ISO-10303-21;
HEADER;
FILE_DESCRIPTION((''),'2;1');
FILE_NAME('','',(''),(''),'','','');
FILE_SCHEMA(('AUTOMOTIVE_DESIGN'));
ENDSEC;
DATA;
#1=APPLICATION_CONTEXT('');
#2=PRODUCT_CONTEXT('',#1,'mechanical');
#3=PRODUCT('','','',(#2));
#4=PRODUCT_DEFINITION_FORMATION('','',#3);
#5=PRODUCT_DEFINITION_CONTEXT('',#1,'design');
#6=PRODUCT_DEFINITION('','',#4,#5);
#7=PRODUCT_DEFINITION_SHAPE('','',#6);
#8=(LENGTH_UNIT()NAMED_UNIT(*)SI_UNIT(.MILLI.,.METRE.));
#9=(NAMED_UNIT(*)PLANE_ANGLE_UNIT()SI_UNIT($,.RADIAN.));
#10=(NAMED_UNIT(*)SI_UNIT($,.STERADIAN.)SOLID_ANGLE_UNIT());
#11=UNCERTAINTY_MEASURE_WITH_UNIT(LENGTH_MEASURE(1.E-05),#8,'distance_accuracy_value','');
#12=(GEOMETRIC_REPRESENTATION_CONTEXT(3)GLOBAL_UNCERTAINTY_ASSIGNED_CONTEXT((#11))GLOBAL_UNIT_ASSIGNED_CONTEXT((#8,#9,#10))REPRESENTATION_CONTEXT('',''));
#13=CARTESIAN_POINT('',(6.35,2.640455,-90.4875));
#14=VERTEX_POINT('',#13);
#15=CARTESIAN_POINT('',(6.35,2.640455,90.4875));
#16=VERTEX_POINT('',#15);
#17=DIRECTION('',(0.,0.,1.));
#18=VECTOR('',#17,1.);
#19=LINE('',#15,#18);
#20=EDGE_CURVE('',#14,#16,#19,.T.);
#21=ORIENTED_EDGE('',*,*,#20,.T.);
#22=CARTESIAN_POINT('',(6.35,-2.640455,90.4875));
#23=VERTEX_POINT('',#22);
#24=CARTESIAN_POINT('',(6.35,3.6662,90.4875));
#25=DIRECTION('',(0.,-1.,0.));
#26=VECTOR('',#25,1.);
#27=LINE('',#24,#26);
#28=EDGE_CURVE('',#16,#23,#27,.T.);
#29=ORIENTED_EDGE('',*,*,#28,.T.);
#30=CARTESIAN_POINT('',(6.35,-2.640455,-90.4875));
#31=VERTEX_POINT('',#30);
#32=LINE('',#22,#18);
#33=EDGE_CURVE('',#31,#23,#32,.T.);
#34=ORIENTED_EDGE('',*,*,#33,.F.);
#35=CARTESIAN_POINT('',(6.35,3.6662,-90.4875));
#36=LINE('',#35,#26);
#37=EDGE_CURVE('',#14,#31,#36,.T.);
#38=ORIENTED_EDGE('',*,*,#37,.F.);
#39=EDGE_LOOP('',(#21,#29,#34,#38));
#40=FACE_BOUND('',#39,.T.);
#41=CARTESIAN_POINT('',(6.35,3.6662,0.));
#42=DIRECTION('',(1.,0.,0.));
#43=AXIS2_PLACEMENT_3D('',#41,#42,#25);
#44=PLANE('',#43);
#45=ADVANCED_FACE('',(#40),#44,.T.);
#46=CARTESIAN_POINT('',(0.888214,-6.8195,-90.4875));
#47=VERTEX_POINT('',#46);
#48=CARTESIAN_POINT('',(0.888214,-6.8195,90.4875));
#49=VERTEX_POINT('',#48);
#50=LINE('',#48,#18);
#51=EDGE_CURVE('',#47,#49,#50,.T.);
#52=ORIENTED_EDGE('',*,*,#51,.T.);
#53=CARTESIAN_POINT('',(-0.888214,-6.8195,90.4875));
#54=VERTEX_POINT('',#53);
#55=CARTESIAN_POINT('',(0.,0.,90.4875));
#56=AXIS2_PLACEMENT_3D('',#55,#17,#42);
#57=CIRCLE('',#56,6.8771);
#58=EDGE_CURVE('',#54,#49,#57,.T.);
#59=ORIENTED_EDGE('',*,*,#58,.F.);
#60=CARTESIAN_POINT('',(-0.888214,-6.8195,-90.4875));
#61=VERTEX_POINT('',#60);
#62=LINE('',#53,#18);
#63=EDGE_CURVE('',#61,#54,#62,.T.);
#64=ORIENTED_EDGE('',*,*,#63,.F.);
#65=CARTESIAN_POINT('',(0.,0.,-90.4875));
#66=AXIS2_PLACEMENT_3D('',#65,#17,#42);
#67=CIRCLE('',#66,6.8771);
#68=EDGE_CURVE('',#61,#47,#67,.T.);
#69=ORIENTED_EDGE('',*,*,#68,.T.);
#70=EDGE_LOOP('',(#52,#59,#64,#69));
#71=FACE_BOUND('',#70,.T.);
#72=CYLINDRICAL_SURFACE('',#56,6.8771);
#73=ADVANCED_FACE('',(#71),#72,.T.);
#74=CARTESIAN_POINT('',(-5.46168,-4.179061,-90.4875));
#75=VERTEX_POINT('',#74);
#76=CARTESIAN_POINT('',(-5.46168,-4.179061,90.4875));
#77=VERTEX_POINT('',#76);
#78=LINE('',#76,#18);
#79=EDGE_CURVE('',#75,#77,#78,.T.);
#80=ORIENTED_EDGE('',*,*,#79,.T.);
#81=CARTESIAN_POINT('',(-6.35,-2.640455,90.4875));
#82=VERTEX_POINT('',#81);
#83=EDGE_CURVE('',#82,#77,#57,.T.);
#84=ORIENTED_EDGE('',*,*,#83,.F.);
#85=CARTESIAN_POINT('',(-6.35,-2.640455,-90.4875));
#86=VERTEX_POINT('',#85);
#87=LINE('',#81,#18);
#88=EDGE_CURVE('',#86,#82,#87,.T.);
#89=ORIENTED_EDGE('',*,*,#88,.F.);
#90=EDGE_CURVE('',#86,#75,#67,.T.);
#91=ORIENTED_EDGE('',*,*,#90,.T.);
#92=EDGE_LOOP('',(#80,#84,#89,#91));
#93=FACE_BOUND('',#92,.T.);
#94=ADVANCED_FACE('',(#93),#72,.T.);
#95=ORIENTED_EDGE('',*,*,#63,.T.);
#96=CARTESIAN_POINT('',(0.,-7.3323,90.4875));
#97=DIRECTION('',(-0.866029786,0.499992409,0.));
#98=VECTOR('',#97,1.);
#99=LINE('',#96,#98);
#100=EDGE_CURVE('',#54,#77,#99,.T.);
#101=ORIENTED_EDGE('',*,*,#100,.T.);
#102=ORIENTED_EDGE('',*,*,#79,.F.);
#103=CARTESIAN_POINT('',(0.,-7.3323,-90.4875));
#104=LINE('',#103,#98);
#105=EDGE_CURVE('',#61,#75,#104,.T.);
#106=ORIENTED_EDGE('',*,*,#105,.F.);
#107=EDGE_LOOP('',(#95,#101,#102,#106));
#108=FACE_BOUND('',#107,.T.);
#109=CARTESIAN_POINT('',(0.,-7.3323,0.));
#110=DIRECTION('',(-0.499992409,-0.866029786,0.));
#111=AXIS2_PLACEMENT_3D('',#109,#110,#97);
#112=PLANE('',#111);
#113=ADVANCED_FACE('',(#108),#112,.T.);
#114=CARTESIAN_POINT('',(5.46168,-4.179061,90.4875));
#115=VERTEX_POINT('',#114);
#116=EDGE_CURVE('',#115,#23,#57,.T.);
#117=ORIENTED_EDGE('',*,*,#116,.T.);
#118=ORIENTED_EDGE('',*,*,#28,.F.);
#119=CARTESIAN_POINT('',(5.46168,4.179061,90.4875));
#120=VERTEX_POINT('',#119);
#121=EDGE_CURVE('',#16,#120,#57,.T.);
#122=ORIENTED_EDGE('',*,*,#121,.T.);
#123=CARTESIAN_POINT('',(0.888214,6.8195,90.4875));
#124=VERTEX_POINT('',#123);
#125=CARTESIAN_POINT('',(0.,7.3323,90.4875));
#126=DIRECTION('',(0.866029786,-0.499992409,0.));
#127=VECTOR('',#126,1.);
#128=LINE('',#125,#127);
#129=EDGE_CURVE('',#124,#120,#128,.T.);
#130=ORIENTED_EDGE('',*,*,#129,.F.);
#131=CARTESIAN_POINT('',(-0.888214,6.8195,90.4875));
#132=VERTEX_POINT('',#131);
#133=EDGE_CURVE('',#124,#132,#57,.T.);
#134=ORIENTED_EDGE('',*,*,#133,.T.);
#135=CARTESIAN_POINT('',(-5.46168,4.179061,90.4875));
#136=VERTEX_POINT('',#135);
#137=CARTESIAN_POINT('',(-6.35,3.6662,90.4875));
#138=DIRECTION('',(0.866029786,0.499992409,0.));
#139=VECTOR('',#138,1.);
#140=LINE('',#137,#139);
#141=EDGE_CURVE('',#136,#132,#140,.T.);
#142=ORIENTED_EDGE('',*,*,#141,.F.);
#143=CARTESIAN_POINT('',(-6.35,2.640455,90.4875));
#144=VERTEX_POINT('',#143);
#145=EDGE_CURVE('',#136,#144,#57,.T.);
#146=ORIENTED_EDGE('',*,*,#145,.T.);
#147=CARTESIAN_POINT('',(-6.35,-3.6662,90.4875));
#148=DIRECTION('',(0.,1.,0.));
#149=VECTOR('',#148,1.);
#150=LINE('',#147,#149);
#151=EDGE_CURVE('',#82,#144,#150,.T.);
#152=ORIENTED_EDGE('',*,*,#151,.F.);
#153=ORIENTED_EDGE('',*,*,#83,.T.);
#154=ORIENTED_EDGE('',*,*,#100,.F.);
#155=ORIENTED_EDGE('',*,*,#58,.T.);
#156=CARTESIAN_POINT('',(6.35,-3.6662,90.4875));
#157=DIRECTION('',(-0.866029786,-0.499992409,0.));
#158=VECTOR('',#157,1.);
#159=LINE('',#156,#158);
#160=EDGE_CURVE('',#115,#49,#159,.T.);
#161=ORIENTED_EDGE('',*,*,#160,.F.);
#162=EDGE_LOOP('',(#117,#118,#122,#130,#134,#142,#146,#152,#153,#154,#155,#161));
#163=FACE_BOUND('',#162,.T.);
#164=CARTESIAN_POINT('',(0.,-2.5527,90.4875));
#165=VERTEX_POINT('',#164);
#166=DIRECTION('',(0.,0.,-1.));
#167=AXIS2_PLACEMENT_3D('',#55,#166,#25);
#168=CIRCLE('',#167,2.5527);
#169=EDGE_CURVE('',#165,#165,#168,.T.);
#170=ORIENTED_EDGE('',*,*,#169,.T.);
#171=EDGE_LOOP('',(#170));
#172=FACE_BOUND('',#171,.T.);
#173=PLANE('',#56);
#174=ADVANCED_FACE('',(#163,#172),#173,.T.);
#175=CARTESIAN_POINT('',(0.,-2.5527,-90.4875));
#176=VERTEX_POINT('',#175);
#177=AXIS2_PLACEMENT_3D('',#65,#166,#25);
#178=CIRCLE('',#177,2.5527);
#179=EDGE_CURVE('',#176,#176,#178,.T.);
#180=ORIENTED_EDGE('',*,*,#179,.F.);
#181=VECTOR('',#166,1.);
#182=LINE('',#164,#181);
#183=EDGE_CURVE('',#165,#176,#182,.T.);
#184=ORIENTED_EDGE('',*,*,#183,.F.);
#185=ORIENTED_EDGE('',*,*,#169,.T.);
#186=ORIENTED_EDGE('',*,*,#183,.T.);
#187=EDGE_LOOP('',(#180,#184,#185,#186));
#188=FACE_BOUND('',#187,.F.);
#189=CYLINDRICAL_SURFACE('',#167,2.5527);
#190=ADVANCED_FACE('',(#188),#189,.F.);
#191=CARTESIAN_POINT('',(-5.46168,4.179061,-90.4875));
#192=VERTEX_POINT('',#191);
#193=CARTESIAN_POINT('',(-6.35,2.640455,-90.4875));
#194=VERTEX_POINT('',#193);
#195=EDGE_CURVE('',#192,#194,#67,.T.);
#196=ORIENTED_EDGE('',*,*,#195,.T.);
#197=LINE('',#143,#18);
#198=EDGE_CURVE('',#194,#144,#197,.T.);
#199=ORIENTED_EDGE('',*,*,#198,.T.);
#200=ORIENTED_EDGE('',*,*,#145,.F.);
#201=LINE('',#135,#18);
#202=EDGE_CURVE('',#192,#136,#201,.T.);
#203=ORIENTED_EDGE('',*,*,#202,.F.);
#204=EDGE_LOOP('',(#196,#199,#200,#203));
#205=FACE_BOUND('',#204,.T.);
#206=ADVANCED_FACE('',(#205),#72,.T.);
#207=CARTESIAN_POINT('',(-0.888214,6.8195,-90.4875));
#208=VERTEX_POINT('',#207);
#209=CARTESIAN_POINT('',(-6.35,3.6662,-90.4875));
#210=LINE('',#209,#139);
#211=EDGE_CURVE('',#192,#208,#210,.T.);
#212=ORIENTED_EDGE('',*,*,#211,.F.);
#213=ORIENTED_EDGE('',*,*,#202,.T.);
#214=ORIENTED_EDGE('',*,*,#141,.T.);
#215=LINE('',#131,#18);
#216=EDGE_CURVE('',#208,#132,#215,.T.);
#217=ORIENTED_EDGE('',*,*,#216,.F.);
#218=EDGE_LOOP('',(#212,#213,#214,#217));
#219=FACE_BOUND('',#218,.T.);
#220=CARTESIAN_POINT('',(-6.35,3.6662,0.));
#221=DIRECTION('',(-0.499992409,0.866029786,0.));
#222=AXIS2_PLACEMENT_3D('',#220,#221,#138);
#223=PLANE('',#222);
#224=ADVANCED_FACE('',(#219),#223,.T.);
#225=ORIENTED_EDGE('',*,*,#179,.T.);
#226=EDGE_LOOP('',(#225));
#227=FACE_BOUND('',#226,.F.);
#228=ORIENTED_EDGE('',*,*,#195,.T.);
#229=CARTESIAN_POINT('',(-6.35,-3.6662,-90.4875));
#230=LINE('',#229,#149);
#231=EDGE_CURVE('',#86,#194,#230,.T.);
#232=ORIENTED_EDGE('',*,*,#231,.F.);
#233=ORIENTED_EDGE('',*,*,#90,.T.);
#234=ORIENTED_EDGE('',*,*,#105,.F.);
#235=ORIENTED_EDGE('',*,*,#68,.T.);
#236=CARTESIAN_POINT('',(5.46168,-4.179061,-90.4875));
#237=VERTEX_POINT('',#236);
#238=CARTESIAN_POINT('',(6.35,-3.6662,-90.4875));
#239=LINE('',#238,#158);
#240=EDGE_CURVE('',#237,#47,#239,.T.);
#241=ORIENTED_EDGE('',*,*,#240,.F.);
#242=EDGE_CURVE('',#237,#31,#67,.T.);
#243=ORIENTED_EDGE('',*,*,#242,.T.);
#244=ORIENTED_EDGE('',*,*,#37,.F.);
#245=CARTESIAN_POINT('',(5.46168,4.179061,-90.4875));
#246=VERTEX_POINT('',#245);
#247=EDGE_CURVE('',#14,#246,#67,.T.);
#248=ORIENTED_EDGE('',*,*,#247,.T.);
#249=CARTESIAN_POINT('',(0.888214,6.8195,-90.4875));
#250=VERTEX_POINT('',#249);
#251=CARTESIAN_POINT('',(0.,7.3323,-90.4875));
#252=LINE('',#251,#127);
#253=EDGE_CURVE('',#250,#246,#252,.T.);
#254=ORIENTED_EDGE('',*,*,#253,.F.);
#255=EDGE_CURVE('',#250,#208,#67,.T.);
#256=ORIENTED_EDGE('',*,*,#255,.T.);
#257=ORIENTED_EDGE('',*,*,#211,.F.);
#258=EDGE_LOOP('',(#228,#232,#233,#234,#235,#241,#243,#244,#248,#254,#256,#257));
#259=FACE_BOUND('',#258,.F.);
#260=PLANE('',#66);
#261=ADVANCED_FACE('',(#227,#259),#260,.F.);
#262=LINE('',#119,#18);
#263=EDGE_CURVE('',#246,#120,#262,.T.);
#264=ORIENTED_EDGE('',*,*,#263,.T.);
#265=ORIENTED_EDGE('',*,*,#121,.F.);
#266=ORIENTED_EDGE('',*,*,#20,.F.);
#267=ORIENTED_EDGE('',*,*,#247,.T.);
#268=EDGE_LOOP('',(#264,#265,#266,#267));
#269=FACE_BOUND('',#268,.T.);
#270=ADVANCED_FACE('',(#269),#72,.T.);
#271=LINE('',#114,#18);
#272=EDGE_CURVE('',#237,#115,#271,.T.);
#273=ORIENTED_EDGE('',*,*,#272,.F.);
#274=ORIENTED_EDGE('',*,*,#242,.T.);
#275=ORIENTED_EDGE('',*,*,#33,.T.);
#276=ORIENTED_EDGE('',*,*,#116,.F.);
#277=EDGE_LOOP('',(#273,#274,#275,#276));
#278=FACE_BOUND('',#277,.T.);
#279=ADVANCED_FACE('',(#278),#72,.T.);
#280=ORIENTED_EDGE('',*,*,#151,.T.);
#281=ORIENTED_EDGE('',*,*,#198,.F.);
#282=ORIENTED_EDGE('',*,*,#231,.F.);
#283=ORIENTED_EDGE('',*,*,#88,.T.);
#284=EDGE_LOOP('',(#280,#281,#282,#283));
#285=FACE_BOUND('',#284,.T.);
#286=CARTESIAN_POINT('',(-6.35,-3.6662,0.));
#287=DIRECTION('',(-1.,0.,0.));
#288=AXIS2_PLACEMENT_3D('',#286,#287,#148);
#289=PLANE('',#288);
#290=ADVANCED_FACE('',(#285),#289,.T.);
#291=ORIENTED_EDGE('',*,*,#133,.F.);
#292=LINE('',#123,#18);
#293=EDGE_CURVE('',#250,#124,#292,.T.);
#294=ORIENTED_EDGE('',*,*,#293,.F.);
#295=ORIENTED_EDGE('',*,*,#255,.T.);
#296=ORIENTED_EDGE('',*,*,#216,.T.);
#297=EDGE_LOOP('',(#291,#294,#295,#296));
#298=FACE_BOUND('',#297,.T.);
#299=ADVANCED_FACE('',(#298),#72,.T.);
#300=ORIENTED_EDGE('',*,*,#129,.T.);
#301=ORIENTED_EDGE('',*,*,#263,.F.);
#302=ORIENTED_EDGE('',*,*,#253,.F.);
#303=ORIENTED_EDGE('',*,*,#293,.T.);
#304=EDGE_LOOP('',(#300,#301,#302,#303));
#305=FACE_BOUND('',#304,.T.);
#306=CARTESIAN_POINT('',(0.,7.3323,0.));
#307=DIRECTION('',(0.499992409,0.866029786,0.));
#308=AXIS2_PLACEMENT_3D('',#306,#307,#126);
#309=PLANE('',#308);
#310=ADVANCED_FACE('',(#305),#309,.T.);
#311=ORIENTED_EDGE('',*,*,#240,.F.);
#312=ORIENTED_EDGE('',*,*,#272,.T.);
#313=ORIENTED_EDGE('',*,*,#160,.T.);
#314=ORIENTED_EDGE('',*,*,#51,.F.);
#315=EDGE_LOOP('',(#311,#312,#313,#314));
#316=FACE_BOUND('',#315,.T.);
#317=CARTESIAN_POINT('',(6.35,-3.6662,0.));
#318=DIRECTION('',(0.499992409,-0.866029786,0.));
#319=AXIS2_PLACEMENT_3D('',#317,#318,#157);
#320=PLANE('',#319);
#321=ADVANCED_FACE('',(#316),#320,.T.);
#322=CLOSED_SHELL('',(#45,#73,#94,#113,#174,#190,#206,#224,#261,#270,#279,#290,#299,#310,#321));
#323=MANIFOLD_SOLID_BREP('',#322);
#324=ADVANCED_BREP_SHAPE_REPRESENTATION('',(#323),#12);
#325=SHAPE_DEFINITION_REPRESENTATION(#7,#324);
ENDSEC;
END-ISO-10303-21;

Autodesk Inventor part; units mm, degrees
ref_plane "YZ Plane" through (0, 0, 0) normal (1, 0, 0) x (0, 1, 0)
ref_plane "XZ Plane" through (0, 0, 0) normal (0, 1, 0) x (-1, 0, 0)
ref_plane "XY Plane" through (0, 0, 0) normal (0, 0, 1) x (1, 0, 0)
sketch "Sketch1" plane through (0, 0, 0) normal (0, 0, 1) x (1, 0, 0)
  line L0 (-6.35, -3.6662) -> (-6.35, 3.6662)
  line L1 (-6.35, 3.6662) -> (0, 7.3323)
  line L2 (0, 7.3323) -> (6.35, 3.6662)
  line L3 (6.35, 3.6662) -> (6.35, -3.6662)
  line L4 (6.35, -3.6662) -> (0, -7.3323)
  line L5 (0, -7.3323) -> (-6.35, -3.6662)
  point P0 (0, 0)
  point P1 (0, 0)
  dimension "Size" = 12.7
extrude "Extrusion1" add sketch "Sketch1" along normal mid plane 180.975
sketch "Sketch3" plane through (0, 0, 90.4875) normal (0, 0, 1) x (1, 0, 0)
  line L0 (-6.35, 3.6662) -> (0, 7.3323) construction
  line L1 (0, 7.3323) -> (6.35, 3.6662) construction
  line L2 (6.35, 3.6662) -> (6.35, -3.6662) construction
  line L3 (6.35, -3.6662) -> (0, -7.3323) construction
  line L4 (0, -7.3323) -> (-6.35, -3.6662) construction
  line L5 (-6.35, -3.6662) -> (-6.35, 3.6662) construction
  point P0 (0, 0)
hole "Hole1" at (0, 0, 90.4875) direction (0, 0, -1) diameter 5.1054 end through all
sketch "Sketch4" plane through (0, 0, 90.4875) normal (0, 0, 1) x (1, 0, 0)
  circle A0 centre (0, 0) radius 2.5527 construction
  line L0 (-6.35, 3.6662) -> (0, 7.3323) construction
  line L1 (0, 7.3323) -> (6.35, 3.6662) construction
  line L2 (6.35, 3.6662) -> (6.35, -3.6662) construction
  line L3 (6.35, -3.6662) -> (0, -7.3323) construction
  line L4 (0, -7.3323) -> (-6.35, -3.6662) construction
  line L5 (-6.35, -3.6662) -> (-6.35, 3.6662) construction
  circle A1 centre (0, 0) radius 6.8771
  circle A2 centre (0, 0) radius 8.89
  dimension "thunder" = 13.7541
  dimension "d16" = 17.78
extrude "Extrusion3" cut sketch "Sketch4" against normal through all
equation "\"bearing\" = 25.4"
properties part number "GP5-006" material "Aluminum 6061"
